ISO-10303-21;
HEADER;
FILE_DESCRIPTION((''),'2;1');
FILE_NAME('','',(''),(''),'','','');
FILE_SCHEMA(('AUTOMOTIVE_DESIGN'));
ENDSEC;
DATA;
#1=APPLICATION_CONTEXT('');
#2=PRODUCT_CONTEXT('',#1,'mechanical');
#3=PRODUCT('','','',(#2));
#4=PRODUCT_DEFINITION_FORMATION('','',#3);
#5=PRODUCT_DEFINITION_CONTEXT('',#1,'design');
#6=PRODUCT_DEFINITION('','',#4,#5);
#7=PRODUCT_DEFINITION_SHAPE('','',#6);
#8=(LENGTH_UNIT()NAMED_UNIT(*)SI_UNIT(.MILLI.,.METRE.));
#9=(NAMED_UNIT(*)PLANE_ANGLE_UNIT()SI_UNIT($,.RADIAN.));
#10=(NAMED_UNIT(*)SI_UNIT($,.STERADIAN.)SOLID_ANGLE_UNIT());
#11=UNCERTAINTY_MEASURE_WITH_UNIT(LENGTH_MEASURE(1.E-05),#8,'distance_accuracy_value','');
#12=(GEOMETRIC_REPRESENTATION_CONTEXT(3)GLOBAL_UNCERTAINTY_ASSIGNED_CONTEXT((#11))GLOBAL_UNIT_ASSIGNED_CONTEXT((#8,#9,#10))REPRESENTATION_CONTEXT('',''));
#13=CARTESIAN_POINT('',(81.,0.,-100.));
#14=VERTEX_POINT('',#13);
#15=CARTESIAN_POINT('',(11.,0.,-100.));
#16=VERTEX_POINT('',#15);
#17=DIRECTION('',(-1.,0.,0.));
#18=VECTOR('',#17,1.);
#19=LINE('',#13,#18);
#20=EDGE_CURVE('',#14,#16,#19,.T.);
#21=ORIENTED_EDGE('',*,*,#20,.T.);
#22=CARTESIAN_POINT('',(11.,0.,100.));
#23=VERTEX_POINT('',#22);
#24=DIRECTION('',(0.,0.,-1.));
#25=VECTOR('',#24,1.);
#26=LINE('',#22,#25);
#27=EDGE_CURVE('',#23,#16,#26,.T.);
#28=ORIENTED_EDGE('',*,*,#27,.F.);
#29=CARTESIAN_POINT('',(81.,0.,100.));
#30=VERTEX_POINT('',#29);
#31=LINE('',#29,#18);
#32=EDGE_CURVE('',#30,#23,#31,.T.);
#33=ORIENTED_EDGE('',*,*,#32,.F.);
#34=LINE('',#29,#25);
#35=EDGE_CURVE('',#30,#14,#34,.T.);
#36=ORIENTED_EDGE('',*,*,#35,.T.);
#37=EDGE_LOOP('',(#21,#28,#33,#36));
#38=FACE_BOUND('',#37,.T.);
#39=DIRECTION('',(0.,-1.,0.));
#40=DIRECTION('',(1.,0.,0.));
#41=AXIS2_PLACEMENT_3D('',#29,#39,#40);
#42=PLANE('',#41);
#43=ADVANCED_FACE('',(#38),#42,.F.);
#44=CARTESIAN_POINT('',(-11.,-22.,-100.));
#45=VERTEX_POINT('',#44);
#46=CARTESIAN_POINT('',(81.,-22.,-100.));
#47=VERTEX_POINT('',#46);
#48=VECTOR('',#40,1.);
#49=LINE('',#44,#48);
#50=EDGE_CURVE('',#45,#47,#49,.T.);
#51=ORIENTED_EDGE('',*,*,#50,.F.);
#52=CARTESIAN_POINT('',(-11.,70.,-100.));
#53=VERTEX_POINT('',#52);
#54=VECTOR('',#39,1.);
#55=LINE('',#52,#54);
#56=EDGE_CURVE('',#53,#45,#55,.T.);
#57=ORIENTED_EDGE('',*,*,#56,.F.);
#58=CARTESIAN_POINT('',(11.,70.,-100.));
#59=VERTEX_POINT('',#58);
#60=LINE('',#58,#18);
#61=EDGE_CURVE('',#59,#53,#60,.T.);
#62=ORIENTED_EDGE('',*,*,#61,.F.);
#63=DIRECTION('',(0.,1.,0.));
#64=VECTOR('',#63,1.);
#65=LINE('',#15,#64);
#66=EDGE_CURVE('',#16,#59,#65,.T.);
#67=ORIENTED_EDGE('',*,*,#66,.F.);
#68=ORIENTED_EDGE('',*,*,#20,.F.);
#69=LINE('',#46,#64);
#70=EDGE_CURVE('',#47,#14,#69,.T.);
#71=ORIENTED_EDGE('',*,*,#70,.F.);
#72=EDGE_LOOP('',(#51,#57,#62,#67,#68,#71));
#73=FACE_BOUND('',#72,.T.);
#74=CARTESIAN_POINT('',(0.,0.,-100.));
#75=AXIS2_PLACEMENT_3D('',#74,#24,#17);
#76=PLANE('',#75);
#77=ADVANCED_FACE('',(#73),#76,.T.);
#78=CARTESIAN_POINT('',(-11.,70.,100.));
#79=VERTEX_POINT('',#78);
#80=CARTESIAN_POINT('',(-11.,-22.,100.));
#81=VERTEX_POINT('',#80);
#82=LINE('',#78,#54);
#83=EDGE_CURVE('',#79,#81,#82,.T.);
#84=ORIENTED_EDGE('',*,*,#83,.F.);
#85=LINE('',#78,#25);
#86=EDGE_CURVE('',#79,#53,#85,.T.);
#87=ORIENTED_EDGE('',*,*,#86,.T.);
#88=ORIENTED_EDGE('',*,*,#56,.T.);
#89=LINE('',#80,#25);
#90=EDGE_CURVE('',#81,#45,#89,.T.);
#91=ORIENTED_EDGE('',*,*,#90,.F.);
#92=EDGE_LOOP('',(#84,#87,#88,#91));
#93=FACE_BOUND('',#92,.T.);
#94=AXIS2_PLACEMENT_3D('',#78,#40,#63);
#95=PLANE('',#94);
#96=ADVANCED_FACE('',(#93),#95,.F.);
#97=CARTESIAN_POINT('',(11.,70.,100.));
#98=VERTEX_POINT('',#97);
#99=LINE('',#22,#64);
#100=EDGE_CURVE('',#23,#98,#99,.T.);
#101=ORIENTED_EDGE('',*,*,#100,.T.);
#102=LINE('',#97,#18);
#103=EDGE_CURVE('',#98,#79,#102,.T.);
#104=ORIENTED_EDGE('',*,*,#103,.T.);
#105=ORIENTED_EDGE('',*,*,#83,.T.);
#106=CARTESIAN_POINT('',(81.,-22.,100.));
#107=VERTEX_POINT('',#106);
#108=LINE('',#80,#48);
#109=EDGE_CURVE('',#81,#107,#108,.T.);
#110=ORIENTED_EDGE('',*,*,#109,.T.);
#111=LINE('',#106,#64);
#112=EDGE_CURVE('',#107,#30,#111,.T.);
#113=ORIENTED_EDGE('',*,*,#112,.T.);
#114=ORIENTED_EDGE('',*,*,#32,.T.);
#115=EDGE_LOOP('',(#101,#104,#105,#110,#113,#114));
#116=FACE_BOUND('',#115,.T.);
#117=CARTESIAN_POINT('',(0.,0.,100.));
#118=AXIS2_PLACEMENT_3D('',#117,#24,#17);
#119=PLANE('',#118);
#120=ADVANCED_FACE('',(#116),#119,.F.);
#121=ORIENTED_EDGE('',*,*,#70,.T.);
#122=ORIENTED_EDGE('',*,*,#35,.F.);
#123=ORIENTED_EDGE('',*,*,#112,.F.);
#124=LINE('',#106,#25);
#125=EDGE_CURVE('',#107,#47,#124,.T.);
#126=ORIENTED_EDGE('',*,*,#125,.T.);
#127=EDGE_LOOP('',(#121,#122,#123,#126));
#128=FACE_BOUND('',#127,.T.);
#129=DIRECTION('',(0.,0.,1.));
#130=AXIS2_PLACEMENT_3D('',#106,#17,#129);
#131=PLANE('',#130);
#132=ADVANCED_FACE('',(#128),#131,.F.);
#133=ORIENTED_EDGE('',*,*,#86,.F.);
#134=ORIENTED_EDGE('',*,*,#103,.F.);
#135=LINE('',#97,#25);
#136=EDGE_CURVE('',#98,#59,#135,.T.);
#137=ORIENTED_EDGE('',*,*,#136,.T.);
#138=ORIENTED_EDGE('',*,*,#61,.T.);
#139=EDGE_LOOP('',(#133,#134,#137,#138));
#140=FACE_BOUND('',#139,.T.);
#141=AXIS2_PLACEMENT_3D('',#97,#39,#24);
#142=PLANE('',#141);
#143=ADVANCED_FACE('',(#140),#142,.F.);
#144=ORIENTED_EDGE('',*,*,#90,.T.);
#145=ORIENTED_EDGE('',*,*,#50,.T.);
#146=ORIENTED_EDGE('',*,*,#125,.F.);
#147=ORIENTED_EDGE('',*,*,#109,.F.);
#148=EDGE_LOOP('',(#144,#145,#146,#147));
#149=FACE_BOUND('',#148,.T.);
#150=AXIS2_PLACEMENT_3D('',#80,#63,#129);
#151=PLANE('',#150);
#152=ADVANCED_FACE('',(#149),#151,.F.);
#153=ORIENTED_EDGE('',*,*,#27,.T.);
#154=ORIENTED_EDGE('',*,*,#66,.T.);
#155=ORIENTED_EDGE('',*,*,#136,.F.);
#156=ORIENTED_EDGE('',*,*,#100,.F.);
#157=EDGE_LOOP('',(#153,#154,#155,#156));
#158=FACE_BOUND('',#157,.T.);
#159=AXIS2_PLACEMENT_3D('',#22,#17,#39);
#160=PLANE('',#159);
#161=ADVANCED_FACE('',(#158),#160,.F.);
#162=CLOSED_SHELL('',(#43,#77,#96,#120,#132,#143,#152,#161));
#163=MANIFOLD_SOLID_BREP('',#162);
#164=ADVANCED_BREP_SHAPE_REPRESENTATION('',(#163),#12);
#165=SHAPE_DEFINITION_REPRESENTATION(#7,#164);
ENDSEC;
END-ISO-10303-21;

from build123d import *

# Parameters (mm, degrees)
BOSS_EXTRU_1_DEPTH = 100


with BuildPart() as part:
    # Esquisse1 → Boss.-Extru.1 (new, symmetric)
    with BuildSketch(Plane.XY):
        Polygon((11, 0), (11, 70), (-11, 70), (-11, -22), (81, -22), (81, 0), align=None)
    extrude(amount=BOSS_EXTRU_1_DEPTH, both=True)


solid = part.part
